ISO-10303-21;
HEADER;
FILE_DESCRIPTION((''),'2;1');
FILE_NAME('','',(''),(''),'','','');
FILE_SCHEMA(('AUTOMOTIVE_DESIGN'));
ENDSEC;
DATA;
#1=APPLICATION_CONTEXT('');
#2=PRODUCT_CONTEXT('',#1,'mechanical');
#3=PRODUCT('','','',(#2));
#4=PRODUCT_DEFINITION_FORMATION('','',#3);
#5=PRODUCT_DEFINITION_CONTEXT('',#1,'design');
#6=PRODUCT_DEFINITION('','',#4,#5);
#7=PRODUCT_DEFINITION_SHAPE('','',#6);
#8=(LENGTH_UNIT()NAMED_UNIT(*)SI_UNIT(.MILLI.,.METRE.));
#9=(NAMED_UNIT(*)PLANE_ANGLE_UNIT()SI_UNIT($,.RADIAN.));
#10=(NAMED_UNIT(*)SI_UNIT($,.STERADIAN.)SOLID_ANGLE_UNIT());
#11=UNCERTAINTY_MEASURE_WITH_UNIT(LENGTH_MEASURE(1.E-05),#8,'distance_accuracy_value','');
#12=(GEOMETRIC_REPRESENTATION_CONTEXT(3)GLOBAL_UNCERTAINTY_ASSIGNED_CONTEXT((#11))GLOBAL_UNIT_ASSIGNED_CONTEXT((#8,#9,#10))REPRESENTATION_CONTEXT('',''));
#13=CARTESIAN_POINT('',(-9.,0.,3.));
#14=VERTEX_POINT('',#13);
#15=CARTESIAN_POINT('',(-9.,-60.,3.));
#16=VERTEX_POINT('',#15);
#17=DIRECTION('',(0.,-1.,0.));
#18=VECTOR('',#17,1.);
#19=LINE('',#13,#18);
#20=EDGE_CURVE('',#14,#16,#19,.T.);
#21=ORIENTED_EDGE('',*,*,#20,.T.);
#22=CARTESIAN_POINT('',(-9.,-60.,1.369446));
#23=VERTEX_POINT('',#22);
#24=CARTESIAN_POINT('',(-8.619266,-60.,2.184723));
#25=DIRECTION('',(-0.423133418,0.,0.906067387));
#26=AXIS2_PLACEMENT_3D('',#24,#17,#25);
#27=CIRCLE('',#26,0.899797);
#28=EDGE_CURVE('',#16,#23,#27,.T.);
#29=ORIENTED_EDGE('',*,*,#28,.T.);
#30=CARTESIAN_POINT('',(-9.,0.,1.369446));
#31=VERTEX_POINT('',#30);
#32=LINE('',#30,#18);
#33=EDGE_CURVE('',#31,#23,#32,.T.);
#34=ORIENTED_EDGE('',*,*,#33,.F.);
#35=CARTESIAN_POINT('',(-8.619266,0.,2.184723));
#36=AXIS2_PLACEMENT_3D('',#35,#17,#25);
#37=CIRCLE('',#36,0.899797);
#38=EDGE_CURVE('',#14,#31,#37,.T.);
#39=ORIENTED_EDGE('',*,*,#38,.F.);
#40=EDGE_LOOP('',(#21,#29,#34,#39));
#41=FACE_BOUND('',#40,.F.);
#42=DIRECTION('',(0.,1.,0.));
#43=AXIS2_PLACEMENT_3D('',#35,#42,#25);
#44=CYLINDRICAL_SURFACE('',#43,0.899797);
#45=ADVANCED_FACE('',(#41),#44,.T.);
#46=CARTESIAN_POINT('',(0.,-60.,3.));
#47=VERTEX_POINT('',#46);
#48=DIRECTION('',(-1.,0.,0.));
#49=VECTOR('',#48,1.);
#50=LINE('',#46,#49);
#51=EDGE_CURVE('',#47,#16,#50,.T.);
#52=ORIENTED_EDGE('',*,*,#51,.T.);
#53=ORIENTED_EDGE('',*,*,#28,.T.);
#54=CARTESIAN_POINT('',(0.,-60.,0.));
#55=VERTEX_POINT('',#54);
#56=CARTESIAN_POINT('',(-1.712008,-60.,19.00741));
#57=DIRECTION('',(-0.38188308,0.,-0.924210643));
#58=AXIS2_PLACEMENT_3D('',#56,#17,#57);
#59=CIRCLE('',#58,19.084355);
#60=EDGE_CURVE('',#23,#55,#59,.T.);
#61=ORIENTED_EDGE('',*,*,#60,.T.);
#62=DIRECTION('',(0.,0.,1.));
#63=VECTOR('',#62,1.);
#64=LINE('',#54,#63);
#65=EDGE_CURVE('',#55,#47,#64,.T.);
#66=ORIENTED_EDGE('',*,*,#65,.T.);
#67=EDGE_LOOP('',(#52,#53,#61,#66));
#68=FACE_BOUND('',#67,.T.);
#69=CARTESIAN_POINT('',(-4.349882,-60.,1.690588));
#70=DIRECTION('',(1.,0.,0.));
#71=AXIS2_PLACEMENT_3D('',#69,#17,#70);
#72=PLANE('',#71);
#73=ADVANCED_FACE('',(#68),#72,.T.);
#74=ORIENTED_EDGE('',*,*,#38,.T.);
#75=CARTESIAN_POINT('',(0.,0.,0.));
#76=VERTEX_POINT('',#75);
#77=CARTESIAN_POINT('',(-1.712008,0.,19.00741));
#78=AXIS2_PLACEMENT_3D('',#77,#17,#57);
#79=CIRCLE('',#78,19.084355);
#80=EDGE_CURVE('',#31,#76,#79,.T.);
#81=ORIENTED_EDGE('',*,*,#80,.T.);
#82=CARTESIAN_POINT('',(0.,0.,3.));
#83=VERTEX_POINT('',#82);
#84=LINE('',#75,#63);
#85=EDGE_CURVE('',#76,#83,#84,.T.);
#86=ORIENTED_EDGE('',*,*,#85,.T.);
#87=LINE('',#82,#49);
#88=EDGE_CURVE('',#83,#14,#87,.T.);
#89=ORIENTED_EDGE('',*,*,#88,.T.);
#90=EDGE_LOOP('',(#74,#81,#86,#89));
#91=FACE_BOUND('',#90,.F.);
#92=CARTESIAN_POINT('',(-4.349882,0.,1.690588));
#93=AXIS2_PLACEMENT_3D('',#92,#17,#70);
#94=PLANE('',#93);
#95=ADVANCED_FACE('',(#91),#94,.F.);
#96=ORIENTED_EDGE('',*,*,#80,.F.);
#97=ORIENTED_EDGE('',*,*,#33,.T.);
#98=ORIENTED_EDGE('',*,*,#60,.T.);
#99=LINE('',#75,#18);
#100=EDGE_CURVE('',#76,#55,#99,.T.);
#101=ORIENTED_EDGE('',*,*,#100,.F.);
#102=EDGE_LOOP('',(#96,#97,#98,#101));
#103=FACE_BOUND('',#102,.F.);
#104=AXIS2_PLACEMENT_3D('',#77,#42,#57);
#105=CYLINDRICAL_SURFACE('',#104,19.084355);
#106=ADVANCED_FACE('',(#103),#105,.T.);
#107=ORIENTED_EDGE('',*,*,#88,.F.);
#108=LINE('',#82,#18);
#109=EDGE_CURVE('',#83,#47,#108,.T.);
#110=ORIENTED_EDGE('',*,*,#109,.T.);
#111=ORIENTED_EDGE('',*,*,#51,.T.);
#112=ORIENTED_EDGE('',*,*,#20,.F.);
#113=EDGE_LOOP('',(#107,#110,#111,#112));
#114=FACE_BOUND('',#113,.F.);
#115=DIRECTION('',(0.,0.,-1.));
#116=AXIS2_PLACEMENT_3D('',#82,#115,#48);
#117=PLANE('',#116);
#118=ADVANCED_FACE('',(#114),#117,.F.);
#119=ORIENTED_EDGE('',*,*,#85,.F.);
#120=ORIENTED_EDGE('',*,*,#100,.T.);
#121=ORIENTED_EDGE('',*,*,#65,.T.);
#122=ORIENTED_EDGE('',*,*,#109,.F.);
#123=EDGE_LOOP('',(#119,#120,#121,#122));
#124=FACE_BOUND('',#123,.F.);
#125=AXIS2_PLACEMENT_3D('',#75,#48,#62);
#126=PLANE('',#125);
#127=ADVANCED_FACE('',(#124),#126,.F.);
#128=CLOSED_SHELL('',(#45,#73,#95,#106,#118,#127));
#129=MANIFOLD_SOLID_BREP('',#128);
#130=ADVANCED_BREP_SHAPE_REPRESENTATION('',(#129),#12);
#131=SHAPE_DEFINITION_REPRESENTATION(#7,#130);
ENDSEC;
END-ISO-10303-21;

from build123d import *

# Parameters (mm, degrees)
F1_DEPTH = 60


with BuildPart() as f1:
    # F0 (on Front) → F1 (new body)
    with BuildSketch(Plane.XZ):
        with BuildLine():
            ThreePointArc((-9, 1.369446), (-4.582852, 0.14022), (0, 0))
            Line((0, 0), (0, 3))
            Line((0, 3), (-9, 3))
            ThreePointArc((-9, 3), (-9.519063, 2.184723), (-9, 1.369446))
        make_face()
    extrude(amount=F1_DEPTH)


solid = f1.part
